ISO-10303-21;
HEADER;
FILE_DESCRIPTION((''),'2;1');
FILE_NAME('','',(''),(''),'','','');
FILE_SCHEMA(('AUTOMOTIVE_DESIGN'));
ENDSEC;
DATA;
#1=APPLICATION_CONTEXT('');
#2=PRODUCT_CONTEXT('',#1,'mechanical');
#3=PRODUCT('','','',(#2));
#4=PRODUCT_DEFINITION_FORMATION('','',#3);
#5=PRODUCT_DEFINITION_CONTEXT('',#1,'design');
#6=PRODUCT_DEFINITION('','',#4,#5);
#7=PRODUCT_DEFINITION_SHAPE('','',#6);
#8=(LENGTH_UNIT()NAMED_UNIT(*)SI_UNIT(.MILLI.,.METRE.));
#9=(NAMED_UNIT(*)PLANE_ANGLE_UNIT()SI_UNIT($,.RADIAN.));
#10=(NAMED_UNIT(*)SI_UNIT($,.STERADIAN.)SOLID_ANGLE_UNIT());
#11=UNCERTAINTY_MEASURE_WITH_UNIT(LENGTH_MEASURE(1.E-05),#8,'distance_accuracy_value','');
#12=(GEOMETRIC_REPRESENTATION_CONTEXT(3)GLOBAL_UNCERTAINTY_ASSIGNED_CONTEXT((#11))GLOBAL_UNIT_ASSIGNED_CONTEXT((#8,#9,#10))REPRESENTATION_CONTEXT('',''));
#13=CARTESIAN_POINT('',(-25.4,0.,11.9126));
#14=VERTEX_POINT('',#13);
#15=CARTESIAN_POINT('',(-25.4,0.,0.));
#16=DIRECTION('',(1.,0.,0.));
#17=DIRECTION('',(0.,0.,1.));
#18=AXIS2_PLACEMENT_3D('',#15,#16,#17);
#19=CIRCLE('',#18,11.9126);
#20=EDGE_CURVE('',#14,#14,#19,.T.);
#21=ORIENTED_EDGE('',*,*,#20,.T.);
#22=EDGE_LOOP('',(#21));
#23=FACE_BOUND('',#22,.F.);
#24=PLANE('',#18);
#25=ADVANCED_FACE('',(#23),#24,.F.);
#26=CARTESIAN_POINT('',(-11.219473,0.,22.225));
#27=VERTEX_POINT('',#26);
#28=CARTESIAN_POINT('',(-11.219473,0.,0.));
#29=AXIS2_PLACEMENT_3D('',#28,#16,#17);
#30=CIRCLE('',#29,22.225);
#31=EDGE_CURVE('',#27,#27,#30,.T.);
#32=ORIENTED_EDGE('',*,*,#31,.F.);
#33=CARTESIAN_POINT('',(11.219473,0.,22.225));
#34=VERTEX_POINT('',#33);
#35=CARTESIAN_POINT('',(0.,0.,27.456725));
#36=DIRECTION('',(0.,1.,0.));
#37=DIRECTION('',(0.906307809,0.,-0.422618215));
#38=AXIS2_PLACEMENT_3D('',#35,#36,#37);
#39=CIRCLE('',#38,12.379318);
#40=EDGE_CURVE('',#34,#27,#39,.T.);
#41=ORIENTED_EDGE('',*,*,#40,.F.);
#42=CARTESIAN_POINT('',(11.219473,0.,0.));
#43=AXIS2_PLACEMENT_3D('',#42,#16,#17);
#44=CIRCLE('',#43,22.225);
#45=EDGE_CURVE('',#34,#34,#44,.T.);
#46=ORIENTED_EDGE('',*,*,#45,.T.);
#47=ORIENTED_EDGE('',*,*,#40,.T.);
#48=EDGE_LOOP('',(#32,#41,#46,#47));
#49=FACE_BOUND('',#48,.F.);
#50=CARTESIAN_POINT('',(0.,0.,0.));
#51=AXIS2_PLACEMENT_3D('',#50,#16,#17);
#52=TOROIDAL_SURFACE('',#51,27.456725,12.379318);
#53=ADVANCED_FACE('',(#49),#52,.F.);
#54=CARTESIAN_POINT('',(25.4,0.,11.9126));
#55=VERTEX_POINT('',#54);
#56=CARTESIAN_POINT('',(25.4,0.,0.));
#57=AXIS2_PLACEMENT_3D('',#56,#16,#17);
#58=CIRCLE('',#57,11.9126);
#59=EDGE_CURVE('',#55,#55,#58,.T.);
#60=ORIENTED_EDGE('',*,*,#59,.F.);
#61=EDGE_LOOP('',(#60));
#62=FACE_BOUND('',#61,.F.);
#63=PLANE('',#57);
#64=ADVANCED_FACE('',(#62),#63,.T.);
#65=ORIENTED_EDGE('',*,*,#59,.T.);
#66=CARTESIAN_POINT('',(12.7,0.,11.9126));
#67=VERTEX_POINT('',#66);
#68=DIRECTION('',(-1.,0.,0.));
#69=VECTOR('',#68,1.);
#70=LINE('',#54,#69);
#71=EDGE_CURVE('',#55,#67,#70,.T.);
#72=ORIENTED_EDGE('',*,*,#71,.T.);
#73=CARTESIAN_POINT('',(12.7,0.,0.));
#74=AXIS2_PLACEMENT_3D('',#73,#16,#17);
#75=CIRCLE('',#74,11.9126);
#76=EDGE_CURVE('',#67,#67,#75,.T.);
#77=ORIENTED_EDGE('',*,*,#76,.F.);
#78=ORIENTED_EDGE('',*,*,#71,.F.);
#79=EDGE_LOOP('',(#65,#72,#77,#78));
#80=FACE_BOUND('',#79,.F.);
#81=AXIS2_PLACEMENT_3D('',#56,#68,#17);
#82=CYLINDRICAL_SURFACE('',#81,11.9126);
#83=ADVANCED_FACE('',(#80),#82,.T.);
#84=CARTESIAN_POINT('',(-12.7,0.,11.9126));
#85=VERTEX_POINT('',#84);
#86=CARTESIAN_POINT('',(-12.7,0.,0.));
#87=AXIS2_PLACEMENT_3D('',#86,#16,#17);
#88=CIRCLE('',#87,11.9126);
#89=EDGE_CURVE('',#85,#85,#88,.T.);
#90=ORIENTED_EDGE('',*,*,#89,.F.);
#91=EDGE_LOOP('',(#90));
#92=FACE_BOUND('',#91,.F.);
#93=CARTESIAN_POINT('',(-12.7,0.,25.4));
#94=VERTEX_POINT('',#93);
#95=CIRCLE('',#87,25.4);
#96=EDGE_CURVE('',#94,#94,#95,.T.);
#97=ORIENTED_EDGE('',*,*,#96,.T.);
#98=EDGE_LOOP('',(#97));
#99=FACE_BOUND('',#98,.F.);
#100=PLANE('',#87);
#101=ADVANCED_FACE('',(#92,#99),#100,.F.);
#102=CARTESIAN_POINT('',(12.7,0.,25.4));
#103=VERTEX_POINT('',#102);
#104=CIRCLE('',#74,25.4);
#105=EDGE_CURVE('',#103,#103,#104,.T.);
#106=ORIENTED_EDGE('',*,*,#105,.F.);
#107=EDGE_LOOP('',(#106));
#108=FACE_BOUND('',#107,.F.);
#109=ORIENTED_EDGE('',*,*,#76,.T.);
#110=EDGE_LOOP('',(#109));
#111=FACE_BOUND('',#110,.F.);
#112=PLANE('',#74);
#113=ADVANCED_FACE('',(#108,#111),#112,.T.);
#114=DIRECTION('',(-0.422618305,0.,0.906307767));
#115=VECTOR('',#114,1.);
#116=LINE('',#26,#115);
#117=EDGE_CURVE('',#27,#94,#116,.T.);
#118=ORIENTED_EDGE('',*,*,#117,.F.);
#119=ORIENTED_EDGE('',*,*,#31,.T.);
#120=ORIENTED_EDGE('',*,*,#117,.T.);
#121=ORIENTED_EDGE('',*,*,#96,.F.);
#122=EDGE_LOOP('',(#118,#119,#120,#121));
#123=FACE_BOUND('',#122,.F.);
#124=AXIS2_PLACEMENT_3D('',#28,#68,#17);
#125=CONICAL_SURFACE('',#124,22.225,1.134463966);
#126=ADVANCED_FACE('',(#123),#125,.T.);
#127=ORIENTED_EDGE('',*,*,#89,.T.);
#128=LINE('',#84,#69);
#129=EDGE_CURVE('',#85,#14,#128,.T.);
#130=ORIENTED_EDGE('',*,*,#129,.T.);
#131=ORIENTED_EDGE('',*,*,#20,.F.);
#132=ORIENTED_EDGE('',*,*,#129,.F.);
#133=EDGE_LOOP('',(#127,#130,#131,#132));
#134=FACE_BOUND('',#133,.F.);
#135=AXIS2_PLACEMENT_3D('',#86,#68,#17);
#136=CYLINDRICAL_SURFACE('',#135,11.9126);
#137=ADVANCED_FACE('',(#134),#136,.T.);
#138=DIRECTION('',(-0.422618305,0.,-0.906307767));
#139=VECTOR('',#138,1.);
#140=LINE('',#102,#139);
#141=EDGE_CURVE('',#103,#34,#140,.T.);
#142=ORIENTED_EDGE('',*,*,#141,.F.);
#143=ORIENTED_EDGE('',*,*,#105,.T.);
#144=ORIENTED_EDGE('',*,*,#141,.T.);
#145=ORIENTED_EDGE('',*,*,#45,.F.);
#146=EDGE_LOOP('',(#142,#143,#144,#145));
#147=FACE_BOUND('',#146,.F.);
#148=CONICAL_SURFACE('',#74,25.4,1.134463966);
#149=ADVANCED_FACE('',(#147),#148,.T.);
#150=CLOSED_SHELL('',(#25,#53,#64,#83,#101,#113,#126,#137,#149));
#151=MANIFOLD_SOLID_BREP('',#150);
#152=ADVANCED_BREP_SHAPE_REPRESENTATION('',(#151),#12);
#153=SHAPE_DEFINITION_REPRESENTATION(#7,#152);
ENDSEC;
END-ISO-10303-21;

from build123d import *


with BuildPart() as f1:
    # F0 (on Front) → F1 (revolve)
    with BuildSketch(Plane.XZ):
        with BuildLine():
            Line((-25.4, 0), (0, 0))
            Line((0, 0), (25.4, 0))
            Line((25.4, 0), (25.4, 11.9126))
            Line((25.4, 11.9126), (12.7, 11.9126))
            Line((12.7, 11.9126), (12.7, 25.4))
            Line((12.7, 25.4), (11.219473, 22.225))
            ThreePointArc((11.219473, 22.225), (0, 15.077407), (-11.219473, 22.225))
            Line((-11.219473, 22.225), (-12.7, 25.4))
            Line((-12.7, 25.4), (-12.7, 11.9126))
            Line((-12.7, 11.9126), (-25.4, 11.9126))
            Line((-25.4, 11.9126), (-25.4, 0))
        make_face()
    revolve(axis=Axis((1.282742, 0, 0), (1, 0, 0)))


solid = f1.part
